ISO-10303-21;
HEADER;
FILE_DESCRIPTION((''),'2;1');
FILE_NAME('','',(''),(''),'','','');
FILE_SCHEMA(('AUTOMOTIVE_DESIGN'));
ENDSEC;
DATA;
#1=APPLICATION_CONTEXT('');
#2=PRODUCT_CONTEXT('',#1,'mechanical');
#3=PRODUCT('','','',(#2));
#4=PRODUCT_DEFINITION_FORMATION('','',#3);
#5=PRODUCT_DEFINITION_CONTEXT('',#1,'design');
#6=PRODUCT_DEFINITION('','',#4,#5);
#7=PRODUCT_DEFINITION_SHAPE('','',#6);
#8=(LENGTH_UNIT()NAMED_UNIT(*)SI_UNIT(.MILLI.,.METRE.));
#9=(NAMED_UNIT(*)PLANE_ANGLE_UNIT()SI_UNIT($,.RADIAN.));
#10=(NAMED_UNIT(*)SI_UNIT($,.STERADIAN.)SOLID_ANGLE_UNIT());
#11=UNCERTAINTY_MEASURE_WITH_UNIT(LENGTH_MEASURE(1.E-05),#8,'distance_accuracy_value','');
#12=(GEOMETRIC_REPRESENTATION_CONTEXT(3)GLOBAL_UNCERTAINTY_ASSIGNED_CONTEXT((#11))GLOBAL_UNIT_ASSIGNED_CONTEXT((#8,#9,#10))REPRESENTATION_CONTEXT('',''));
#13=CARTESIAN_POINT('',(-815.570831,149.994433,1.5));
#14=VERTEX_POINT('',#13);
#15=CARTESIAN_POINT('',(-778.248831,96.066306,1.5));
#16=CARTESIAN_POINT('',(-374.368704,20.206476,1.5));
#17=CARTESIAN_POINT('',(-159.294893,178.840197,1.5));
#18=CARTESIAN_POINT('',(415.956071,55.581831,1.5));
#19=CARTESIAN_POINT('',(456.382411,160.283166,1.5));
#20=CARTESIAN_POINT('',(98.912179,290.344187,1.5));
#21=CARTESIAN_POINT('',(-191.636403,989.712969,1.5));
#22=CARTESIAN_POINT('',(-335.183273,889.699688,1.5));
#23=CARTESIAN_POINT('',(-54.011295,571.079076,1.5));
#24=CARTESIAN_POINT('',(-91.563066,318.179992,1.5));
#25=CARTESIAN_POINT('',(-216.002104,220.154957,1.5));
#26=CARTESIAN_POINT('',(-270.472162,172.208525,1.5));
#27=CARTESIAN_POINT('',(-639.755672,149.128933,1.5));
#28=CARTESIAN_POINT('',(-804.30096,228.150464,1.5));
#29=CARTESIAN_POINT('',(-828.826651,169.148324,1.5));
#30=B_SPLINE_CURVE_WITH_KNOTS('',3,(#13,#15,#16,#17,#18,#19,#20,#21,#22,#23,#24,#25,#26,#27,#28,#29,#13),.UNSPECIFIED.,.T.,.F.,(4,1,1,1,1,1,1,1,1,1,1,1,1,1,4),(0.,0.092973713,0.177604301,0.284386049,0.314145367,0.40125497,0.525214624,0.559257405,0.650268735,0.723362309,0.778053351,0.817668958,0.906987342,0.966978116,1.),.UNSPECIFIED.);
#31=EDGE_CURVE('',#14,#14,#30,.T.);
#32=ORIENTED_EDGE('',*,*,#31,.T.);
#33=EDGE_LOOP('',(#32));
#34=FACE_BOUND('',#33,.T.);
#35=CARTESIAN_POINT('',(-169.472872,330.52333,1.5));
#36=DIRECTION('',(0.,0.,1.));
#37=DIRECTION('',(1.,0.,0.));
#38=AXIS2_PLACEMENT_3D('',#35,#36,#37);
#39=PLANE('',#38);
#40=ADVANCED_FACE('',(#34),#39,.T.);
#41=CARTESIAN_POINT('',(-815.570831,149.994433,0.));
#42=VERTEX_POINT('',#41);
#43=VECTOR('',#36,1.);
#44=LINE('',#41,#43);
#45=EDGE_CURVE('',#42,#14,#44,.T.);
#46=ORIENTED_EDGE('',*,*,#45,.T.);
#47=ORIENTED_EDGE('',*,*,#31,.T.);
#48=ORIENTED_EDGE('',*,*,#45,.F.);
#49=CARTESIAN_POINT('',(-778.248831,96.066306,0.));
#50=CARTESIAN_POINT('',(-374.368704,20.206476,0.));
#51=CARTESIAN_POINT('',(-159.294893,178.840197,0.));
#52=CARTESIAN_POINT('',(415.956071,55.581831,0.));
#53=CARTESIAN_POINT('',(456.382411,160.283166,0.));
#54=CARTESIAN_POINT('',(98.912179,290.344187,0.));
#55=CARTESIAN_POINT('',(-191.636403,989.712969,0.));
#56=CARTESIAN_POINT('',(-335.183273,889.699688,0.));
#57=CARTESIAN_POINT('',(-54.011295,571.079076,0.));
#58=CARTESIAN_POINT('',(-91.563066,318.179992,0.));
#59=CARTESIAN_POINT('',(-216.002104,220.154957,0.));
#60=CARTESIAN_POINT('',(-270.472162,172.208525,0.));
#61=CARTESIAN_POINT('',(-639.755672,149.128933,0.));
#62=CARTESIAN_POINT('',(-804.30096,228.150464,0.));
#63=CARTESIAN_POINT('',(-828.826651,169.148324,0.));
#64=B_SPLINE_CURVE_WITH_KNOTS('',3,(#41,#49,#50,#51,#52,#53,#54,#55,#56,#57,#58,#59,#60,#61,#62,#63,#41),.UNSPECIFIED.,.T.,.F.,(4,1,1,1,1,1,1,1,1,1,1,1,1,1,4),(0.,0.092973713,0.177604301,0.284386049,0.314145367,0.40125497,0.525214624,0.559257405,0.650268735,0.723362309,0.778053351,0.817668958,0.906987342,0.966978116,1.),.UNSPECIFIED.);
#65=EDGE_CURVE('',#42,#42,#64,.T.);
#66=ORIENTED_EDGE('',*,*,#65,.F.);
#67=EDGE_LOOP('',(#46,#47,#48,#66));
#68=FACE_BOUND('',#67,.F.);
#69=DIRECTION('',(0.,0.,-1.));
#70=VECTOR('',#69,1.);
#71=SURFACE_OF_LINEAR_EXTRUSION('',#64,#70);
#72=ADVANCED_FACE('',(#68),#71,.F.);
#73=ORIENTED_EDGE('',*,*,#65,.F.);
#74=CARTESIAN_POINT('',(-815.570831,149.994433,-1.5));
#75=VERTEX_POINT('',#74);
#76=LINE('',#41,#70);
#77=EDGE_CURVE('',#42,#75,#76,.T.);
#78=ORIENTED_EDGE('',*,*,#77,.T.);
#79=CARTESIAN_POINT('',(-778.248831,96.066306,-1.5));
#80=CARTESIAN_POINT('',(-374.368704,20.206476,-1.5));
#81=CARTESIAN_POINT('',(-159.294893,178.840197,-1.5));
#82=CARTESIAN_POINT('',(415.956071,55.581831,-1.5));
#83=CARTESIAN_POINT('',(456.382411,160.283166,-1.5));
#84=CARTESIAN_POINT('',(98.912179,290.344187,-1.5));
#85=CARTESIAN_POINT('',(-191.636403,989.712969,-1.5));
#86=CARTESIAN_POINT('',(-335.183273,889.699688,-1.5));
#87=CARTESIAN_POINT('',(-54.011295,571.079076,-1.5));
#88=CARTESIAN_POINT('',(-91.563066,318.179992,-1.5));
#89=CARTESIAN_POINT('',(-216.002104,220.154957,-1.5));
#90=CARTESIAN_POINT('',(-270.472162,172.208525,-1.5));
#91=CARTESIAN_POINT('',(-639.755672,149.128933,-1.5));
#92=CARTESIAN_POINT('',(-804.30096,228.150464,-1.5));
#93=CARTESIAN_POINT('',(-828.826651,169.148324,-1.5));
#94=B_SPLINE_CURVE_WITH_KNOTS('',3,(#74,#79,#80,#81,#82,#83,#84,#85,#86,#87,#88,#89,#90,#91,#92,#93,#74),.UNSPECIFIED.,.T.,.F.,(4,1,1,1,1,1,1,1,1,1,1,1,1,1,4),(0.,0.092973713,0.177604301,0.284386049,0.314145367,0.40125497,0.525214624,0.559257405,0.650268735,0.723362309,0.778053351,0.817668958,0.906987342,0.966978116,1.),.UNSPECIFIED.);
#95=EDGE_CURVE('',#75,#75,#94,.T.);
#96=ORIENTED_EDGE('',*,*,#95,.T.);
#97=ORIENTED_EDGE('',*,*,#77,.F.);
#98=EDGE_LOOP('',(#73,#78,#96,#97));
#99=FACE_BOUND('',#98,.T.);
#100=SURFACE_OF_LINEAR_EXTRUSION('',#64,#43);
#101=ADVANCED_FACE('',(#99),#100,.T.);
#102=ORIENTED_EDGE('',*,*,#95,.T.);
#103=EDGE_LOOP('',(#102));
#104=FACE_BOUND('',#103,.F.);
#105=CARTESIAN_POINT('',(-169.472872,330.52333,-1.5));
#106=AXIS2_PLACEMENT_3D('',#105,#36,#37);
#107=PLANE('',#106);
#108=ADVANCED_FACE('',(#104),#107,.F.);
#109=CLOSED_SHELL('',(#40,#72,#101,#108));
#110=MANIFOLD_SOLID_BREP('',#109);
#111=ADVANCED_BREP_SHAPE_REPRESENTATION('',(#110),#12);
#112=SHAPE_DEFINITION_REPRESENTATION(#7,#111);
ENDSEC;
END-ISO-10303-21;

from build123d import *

# Parameters (mm, degrees)
F1_DEPTH = 1.5


with BuildPart() as f1:
    # F0 (on Top) → F1 (new body, symmetric)
    with BuildSketch(Plane.XY):
        with BuildLine():
            add(Edge.make_bspline(
                [(-815.5708312988, 149.9944329262), (-778.248830991, 96.0663061194), (-374.3687036767, 20.2064755055), (-159.2948925345, 178.8401973884), (415.9560711963, 55.5818306848), (456.3824109173, 160.2831655283), (98.9121786527, 290.3441866), (-191.6364033699, 989.7129694092), (-335.1832725619, 889.6996878066), (-54.0112951979, 571.07907609), (-91.5630661698, 318.1799924658), (-216.0021042089, 220.1549571161), (-270.4721615064, 172.2085249065), (-639.7556715121, 149.1289328168), (-804.3009600841, 228.1504635657), (-828.8266507902, 169.1483236223), (-815.5708312988, 149.9944329262)],
                knots=[0, 0, 0, 0, 0.092973713, 0.177604301, 0.2843860487, 0.3141453669, 0.4012549698, 0.5252146241, 0.5592574045, 0.6502687351, 0.7233623091, 0.7780533511, 0.8176689585, 0.9069873415, 0.9669781162, 1, 1, 1, 1], degree=3))
        make_face()
    extrude(amount=F1_DEPTH, both=True)


solid = f1.part
